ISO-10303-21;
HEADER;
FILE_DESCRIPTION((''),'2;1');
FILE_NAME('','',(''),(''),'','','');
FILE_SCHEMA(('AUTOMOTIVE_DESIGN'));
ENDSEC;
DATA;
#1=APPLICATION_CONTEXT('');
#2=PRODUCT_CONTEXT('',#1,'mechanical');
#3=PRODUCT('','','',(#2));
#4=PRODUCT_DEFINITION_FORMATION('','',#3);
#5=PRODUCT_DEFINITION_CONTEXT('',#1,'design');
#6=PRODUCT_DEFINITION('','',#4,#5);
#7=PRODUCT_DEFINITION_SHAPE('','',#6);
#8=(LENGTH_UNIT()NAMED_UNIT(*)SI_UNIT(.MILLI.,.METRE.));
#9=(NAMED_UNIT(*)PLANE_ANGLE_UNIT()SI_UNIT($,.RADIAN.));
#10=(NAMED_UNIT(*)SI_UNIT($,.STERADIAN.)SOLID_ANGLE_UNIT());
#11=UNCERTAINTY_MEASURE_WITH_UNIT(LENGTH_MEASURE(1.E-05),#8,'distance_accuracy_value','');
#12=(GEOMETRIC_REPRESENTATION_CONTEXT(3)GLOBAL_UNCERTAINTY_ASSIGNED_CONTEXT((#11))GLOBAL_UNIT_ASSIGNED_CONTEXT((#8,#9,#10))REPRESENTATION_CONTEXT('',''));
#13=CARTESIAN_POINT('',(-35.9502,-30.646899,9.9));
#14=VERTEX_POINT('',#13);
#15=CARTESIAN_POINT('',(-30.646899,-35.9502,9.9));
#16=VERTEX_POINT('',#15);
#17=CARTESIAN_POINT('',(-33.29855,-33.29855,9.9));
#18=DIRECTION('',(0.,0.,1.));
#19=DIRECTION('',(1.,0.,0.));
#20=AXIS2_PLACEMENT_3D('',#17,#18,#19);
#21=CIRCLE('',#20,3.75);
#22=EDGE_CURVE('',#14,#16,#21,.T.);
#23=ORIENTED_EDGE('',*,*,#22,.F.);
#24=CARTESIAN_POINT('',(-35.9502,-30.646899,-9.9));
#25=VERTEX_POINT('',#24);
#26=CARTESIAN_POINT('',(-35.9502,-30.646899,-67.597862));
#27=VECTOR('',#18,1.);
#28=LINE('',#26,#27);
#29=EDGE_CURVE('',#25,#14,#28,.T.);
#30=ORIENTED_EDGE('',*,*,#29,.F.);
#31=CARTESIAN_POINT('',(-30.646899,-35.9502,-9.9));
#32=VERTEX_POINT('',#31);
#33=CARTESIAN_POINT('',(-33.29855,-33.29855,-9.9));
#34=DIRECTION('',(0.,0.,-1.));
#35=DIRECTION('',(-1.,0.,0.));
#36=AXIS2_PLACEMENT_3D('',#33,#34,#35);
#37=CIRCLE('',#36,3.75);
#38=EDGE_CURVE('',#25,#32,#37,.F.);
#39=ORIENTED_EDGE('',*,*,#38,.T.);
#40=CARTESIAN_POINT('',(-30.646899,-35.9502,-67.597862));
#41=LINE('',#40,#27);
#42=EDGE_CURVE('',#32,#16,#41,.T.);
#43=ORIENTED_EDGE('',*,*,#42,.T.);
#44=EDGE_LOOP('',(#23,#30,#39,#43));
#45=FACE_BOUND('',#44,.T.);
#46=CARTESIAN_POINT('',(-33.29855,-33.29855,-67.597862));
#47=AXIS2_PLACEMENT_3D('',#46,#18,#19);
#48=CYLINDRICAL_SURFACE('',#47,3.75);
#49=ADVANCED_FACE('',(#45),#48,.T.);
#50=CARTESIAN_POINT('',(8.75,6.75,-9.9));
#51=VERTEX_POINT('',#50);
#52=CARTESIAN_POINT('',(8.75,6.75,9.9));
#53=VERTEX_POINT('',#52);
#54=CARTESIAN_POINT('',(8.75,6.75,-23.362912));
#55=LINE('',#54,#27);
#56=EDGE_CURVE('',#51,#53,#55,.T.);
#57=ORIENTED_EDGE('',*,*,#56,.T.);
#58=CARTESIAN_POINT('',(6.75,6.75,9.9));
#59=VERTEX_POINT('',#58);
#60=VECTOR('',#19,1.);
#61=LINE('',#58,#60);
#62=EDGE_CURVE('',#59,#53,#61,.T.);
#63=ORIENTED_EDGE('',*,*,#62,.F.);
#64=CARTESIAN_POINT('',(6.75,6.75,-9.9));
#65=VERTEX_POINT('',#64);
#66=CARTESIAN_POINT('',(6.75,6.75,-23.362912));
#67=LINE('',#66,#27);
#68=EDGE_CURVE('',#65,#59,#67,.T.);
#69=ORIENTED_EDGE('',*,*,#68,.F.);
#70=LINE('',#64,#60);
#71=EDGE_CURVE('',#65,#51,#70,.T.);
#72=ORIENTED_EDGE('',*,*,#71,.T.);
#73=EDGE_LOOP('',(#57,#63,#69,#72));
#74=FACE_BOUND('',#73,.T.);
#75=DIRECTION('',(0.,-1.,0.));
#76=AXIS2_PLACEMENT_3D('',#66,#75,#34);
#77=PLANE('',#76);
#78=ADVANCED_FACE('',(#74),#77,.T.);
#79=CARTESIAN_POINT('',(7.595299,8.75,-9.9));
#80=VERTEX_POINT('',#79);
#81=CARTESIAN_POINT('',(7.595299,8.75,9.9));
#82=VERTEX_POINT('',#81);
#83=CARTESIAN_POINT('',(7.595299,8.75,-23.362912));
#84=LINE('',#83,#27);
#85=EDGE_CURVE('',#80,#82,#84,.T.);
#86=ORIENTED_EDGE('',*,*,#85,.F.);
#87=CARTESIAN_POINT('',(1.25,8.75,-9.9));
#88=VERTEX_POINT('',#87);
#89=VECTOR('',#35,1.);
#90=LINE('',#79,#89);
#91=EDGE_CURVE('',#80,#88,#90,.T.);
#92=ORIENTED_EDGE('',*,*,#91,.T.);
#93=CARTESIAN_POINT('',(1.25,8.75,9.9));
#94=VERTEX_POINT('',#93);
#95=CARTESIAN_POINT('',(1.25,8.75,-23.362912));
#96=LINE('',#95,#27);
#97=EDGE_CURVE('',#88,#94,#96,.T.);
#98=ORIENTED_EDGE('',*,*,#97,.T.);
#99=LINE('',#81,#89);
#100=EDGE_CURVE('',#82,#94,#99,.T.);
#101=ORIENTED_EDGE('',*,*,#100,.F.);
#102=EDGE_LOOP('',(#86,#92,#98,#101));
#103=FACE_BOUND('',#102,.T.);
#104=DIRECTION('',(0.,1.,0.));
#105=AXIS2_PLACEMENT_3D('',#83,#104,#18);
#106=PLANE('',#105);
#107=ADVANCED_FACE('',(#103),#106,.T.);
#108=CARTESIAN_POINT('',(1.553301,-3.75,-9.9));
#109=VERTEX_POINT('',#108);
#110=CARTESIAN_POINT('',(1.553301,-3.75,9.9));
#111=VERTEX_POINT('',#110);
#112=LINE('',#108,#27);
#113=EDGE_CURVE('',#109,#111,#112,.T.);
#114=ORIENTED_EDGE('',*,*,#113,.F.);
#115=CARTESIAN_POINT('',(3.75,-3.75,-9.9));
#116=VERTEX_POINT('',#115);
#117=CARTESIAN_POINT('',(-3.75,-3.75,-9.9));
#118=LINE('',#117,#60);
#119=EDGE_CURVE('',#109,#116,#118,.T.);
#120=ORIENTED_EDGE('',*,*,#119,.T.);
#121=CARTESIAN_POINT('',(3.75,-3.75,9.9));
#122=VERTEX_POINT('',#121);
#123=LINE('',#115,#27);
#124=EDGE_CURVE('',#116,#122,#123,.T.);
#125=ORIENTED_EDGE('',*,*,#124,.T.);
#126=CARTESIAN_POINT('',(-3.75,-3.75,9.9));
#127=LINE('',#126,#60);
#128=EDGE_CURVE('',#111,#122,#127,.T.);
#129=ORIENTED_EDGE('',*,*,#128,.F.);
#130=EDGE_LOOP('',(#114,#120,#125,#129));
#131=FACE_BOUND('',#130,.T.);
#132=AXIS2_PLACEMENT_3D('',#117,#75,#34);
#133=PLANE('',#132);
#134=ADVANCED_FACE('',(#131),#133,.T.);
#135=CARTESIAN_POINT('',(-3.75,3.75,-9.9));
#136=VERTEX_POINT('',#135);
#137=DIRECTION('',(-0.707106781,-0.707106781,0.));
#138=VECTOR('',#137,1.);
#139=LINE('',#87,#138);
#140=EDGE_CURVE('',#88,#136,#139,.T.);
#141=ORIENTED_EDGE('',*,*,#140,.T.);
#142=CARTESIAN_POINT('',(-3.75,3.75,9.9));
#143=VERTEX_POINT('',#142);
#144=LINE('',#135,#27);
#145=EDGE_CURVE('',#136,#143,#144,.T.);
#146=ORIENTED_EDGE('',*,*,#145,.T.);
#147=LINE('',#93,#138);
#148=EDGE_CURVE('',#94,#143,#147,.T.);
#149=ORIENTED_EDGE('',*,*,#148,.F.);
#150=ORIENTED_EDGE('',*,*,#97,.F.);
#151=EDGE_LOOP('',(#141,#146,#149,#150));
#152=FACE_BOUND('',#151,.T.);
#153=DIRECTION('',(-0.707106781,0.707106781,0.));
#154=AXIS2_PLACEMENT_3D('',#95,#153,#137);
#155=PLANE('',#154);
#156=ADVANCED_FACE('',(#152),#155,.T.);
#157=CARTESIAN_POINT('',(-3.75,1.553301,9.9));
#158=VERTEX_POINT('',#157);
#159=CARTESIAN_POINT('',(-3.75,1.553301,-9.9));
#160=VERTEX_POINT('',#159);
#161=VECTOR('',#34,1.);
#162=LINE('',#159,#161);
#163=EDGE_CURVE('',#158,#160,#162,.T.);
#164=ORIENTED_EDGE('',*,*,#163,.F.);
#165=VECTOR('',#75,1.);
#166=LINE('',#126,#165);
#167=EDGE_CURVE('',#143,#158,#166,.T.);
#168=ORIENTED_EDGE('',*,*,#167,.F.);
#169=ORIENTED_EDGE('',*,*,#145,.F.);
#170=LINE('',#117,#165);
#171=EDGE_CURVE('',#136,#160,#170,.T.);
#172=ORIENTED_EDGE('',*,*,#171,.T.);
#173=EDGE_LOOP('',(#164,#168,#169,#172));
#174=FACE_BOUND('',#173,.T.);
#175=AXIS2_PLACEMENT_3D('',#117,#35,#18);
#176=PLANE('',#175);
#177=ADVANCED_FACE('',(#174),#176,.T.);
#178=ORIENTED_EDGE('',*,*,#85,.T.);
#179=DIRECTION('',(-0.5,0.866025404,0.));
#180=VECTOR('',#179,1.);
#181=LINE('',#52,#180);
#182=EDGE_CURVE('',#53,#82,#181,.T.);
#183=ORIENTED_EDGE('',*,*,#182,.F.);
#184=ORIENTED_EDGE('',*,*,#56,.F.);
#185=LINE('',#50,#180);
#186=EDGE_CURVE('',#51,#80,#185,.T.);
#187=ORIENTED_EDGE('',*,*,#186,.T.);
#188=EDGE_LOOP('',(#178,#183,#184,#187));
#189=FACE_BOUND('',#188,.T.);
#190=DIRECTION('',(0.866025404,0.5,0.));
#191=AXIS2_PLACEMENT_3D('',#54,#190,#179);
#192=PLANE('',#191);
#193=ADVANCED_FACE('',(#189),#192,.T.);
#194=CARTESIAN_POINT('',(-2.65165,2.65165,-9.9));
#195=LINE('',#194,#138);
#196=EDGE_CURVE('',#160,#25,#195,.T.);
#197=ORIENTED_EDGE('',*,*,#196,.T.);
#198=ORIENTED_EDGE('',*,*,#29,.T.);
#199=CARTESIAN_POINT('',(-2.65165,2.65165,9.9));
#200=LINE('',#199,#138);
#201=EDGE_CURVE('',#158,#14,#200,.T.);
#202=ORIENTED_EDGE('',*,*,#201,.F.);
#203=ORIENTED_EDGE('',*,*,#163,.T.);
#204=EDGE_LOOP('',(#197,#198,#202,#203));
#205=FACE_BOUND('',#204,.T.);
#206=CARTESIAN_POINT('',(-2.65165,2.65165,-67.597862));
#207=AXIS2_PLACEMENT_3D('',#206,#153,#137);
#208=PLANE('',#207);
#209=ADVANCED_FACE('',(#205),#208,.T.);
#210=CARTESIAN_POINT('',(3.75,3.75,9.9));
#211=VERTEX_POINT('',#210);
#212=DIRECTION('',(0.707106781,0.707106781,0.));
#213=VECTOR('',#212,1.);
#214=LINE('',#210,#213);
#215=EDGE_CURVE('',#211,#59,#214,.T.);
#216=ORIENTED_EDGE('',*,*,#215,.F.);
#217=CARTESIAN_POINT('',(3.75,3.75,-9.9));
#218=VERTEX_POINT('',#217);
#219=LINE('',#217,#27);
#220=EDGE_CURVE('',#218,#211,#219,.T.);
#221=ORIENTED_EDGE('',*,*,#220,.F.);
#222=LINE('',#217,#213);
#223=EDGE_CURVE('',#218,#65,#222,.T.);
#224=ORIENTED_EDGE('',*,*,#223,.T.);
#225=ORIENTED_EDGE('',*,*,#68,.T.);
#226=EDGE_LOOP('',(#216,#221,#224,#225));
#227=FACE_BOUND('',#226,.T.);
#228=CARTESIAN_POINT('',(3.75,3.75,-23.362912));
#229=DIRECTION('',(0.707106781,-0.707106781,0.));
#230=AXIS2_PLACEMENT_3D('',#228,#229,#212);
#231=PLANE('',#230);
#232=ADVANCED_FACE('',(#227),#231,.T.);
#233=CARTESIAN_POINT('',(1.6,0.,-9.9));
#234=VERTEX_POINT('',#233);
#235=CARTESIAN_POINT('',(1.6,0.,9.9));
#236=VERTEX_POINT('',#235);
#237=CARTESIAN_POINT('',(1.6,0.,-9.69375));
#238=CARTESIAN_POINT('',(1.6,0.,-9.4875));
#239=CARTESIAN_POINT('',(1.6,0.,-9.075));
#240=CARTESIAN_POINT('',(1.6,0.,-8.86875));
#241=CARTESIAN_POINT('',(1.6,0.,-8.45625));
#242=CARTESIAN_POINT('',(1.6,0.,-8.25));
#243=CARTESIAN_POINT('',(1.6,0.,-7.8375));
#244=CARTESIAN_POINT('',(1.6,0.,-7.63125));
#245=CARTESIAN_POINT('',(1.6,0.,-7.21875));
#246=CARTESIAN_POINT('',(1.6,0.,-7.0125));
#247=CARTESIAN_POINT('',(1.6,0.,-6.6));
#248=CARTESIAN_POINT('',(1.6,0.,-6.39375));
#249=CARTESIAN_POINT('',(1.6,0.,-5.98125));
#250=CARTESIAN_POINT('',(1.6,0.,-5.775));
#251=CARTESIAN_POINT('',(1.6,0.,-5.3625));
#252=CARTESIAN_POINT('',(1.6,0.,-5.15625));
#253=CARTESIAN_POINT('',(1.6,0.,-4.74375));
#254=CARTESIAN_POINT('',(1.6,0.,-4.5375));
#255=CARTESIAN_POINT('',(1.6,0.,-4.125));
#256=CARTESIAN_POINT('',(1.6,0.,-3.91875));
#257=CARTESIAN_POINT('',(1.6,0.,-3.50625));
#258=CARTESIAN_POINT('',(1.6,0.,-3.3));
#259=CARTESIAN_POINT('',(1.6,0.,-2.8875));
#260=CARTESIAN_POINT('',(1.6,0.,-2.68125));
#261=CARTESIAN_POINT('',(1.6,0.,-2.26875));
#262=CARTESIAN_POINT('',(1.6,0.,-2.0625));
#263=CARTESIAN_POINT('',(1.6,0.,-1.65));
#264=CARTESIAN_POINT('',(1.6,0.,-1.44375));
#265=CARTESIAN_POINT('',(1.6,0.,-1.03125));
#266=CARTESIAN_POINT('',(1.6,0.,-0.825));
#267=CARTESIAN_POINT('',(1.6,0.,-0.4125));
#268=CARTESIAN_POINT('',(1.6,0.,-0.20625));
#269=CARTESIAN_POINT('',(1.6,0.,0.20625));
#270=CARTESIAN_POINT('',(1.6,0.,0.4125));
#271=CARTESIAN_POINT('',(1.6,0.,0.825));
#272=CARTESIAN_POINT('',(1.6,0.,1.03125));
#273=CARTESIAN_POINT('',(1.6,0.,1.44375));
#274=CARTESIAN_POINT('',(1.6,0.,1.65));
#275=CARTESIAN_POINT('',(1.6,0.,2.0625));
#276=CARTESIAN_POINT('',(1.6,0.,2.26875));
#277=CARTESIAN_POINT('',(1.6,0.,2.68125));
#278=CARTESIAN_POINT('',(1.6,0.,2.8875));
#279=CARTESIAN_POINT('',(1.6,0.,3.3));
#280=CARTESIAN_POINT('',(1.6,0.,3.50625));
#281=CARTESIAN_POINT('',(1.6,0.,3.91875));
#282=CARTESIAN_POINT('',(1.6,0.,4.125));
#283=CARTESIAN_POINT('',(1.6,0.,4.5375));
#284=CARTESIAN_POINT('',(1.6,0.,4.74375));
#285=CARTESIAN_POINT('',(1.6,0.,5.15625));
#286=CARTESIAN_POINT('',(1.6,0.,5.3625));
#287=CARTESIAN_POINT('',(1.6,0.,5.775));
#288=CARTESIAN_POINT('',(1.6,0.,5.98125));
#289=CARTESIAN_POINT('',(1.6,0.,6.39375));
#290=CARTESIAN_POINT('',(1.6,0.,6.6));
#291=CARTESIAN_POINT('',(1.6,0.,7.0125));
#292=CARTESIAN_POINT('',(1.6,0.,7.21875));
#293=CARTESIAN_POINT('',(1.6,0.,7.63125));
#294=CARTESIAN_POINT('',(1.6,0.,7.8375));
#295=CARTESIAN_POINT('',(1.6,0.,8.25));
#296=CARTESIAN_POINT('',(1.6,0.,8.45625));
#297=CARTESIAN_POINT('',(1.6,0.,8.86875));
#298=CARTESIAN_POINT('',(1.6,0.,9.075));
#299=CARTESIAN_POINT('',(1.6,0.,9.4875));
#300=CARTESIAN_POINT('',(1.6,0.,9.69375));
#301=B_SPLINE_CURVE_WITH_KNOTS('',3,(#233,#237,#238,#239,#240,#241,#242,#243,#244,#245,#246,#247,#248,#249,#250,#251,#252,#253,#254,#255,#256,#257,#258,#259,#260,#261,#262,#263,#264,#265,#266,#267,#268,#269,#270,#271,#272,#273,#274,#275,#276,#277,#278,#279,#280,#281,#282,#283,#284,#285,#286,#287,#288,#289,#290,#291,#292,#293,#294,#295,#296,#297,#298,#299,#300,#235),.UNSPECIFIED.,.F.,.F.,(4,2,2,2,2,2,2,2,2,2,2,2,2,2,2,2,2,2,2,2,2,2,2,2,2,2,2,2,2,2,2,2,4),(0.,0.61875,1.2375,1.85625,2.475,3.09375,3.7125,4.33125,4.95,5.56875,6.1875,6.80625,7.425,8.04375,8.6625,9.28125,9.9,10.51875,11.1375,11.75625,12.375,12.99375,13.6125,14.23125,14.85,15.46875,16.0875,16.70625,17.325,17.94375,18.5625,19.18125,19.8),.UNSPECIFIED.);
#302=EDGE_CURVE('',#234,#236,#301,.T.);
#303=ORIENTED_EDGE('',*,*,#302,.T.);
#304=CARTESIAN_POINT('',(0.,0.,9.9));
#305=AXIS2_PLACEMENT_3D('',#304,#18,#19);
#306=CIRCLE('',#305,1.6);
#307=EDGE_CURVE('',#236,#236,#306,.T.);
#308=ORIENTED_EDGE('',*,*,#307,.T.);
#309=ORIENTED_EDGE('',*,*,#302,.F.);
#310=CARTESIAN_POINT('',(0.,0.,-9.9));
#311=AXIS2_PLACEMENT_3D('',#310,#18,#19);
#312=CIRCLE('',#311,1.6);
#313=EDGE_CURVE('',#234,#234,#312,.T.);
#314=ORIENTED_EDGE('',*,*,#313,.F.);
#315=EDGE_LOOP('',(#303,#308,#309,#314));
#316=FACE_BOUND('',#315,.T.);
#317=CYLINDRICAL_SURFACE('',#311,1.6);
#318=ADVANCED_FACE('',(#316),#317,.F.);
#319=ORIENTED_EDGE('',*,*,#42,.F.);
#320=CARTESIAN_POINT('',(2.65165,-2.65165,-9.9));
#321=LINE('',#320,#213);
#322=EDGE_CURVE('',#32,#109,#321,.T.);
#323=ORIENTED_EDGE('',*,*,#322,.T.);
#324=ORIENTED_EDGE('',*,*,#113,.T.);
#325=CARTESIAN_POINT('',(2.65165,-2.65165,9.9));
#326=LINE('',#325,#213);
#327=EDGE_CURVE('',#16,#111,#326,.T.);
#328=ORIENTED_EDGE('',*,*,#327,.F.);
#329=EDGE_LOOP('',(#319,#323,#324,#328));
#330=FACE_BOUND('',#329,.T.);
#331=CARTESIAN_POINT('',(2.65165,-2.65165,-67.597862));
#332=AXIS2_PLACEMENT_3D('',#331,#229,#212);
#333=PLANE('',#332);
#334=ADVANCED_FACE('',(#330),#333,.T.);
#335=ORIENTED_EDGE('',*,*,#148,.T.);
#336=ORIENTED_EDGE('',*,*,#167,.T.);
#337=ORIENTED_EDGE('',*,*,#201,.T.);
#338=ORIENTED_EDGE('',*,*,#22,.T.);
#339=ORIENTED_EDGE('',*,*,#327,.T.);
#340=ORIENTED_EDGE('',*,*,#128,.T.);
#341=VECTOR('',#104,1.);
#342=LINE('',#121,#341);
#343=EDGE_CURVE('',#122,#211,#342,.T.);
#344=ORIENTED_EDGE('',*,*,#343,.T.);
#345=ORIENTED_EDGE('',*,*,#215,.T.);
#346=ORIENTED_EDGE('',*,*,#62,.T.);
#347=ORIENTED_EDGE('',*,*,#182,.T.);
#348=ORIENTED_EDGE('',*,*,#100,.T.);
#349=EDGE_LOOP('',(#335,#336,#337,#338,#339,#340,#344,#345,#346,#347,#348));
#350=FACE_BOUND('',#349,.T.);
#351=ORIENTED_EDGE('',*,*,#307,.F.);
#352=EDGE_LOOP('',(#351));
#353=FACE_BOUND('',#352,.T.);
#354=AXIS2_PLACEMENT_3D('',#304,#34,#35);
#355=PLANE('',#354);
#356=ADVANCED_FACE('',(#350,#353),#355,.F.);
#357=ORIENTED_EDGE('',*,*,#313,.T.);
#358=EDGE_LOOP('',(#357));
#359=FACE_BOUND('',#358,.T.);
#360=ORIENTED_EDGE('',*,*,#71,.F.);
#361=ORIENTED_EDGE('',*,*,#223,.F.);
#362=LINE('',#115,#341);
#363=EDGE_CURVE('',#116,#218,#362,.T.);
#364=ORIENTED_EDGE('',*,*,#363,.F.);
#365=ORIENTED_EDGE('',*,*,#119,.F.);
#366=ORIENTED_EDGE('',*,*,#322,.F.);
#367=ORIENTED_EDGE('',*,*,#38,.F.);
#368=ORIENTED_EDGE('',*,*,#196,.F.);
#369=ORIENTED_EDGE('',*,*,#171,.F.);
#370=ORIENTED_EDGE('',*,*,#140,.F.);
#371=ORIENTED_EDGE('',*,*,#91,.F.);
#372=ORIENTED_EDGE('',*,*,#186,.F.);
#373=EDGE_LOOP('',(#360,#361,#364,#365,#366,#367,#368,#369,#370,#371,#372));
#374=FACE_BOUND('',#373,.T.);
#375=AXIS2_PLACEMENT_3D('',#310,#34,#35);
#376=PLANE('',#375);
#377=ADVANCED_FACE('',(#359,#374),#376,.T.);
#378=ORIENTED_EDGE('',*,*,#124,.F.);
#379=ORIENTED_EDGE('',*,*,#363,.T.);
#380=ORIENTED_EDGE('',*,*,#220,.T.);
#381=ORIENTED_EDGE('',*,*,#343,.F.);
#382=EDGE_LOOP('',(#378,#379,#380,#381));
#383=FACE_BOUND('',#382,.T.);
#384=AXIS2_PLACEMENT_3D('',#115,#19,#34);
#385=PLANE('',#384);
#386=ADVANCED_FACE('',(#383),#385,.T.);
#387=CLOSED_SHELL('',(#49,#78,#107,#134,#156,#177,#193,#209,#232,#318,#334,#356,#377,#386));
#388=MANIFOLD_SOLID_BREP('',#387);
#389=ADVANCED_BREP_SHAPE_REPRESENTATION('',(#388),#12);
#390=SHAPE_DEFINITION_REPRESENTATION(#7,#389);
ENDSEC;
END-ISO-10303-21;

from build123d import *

# Parameters (mm, degrees)
BOSS_EXTRUDE1_DEPTH      = 9.9
BOSS_EXTRUDE1_DEPTH_BACK = 9.9
SKETCH1_W                = 7.5
SKETCH1_H                = 7.5
SKETCH1_R                = 1.6
BOSS_EXTRUDE2_DEPTH      = 19.8
BOSS_EXTRUDE3_START      = -19.8
SKETCH3_R                = 1.6
BOSS_EXTRUDE3_DEPTH      = 19.8


with BuildPart() as part:
    # Sketch1 → Boss-Extrude1 (new, two sides: drawn at the far end of the back side and taken through both)
    with BuildSketch(Plane.XY.offset(-BOSS_EXTRUDE1_DEPTH_BACK)):
        Rectangle(SKETCH1_W, SKETCH1_H)
        Circle(SKETCH1_R, mode=Mode.SUBTRACT)
    extrude(amount=BOSS_EXTRUDE1_DEPTH + BOSS_EXTRUDE1_DEPTH_BACK)

    # Sketch2 → Boss-Extrude2 (add)
    with BuildSketch(Plane.XY.offset(9.9)):
        Polygon((3.75, 3.75), (6.75, 6.75), (8.75, 6.75), (7.595299462, 8.75), (1.25, 8.75), (-3.75, 3.75), align=None)
    extrude(amount=-BOSS_EXTRUDE2_DEPTH)

    # Sketch3 → Boss-Extrude3 (add)
    with BuildSketch(Plane.XY.offset(9.9).offset(BOSS_EXTRUDE3_START)):
        with BuildLine():
            Line((2.651650429, -2.651650429), (-30.646899338, -35.950200197))
            ThreePointArc((-30.646899338, -35.950200197), (-35.950200197, -35.950200197), (-35.950200197, -30.646899338))
            Line((-35.950200197, -30.646899338), (-2.651650429, 2.651650429))
            ThreePointArc((-2.651650429, 2.651650429), (2.651650429, 2.651650429), (2.651650429, -2.651650429))
        make_face()
        Circle(SKETCH3_R, mode=Mode.SUBTRACT)
    extrude(amount=BOSS_EXTRUDE3_DEPTH)


solid = part.part
